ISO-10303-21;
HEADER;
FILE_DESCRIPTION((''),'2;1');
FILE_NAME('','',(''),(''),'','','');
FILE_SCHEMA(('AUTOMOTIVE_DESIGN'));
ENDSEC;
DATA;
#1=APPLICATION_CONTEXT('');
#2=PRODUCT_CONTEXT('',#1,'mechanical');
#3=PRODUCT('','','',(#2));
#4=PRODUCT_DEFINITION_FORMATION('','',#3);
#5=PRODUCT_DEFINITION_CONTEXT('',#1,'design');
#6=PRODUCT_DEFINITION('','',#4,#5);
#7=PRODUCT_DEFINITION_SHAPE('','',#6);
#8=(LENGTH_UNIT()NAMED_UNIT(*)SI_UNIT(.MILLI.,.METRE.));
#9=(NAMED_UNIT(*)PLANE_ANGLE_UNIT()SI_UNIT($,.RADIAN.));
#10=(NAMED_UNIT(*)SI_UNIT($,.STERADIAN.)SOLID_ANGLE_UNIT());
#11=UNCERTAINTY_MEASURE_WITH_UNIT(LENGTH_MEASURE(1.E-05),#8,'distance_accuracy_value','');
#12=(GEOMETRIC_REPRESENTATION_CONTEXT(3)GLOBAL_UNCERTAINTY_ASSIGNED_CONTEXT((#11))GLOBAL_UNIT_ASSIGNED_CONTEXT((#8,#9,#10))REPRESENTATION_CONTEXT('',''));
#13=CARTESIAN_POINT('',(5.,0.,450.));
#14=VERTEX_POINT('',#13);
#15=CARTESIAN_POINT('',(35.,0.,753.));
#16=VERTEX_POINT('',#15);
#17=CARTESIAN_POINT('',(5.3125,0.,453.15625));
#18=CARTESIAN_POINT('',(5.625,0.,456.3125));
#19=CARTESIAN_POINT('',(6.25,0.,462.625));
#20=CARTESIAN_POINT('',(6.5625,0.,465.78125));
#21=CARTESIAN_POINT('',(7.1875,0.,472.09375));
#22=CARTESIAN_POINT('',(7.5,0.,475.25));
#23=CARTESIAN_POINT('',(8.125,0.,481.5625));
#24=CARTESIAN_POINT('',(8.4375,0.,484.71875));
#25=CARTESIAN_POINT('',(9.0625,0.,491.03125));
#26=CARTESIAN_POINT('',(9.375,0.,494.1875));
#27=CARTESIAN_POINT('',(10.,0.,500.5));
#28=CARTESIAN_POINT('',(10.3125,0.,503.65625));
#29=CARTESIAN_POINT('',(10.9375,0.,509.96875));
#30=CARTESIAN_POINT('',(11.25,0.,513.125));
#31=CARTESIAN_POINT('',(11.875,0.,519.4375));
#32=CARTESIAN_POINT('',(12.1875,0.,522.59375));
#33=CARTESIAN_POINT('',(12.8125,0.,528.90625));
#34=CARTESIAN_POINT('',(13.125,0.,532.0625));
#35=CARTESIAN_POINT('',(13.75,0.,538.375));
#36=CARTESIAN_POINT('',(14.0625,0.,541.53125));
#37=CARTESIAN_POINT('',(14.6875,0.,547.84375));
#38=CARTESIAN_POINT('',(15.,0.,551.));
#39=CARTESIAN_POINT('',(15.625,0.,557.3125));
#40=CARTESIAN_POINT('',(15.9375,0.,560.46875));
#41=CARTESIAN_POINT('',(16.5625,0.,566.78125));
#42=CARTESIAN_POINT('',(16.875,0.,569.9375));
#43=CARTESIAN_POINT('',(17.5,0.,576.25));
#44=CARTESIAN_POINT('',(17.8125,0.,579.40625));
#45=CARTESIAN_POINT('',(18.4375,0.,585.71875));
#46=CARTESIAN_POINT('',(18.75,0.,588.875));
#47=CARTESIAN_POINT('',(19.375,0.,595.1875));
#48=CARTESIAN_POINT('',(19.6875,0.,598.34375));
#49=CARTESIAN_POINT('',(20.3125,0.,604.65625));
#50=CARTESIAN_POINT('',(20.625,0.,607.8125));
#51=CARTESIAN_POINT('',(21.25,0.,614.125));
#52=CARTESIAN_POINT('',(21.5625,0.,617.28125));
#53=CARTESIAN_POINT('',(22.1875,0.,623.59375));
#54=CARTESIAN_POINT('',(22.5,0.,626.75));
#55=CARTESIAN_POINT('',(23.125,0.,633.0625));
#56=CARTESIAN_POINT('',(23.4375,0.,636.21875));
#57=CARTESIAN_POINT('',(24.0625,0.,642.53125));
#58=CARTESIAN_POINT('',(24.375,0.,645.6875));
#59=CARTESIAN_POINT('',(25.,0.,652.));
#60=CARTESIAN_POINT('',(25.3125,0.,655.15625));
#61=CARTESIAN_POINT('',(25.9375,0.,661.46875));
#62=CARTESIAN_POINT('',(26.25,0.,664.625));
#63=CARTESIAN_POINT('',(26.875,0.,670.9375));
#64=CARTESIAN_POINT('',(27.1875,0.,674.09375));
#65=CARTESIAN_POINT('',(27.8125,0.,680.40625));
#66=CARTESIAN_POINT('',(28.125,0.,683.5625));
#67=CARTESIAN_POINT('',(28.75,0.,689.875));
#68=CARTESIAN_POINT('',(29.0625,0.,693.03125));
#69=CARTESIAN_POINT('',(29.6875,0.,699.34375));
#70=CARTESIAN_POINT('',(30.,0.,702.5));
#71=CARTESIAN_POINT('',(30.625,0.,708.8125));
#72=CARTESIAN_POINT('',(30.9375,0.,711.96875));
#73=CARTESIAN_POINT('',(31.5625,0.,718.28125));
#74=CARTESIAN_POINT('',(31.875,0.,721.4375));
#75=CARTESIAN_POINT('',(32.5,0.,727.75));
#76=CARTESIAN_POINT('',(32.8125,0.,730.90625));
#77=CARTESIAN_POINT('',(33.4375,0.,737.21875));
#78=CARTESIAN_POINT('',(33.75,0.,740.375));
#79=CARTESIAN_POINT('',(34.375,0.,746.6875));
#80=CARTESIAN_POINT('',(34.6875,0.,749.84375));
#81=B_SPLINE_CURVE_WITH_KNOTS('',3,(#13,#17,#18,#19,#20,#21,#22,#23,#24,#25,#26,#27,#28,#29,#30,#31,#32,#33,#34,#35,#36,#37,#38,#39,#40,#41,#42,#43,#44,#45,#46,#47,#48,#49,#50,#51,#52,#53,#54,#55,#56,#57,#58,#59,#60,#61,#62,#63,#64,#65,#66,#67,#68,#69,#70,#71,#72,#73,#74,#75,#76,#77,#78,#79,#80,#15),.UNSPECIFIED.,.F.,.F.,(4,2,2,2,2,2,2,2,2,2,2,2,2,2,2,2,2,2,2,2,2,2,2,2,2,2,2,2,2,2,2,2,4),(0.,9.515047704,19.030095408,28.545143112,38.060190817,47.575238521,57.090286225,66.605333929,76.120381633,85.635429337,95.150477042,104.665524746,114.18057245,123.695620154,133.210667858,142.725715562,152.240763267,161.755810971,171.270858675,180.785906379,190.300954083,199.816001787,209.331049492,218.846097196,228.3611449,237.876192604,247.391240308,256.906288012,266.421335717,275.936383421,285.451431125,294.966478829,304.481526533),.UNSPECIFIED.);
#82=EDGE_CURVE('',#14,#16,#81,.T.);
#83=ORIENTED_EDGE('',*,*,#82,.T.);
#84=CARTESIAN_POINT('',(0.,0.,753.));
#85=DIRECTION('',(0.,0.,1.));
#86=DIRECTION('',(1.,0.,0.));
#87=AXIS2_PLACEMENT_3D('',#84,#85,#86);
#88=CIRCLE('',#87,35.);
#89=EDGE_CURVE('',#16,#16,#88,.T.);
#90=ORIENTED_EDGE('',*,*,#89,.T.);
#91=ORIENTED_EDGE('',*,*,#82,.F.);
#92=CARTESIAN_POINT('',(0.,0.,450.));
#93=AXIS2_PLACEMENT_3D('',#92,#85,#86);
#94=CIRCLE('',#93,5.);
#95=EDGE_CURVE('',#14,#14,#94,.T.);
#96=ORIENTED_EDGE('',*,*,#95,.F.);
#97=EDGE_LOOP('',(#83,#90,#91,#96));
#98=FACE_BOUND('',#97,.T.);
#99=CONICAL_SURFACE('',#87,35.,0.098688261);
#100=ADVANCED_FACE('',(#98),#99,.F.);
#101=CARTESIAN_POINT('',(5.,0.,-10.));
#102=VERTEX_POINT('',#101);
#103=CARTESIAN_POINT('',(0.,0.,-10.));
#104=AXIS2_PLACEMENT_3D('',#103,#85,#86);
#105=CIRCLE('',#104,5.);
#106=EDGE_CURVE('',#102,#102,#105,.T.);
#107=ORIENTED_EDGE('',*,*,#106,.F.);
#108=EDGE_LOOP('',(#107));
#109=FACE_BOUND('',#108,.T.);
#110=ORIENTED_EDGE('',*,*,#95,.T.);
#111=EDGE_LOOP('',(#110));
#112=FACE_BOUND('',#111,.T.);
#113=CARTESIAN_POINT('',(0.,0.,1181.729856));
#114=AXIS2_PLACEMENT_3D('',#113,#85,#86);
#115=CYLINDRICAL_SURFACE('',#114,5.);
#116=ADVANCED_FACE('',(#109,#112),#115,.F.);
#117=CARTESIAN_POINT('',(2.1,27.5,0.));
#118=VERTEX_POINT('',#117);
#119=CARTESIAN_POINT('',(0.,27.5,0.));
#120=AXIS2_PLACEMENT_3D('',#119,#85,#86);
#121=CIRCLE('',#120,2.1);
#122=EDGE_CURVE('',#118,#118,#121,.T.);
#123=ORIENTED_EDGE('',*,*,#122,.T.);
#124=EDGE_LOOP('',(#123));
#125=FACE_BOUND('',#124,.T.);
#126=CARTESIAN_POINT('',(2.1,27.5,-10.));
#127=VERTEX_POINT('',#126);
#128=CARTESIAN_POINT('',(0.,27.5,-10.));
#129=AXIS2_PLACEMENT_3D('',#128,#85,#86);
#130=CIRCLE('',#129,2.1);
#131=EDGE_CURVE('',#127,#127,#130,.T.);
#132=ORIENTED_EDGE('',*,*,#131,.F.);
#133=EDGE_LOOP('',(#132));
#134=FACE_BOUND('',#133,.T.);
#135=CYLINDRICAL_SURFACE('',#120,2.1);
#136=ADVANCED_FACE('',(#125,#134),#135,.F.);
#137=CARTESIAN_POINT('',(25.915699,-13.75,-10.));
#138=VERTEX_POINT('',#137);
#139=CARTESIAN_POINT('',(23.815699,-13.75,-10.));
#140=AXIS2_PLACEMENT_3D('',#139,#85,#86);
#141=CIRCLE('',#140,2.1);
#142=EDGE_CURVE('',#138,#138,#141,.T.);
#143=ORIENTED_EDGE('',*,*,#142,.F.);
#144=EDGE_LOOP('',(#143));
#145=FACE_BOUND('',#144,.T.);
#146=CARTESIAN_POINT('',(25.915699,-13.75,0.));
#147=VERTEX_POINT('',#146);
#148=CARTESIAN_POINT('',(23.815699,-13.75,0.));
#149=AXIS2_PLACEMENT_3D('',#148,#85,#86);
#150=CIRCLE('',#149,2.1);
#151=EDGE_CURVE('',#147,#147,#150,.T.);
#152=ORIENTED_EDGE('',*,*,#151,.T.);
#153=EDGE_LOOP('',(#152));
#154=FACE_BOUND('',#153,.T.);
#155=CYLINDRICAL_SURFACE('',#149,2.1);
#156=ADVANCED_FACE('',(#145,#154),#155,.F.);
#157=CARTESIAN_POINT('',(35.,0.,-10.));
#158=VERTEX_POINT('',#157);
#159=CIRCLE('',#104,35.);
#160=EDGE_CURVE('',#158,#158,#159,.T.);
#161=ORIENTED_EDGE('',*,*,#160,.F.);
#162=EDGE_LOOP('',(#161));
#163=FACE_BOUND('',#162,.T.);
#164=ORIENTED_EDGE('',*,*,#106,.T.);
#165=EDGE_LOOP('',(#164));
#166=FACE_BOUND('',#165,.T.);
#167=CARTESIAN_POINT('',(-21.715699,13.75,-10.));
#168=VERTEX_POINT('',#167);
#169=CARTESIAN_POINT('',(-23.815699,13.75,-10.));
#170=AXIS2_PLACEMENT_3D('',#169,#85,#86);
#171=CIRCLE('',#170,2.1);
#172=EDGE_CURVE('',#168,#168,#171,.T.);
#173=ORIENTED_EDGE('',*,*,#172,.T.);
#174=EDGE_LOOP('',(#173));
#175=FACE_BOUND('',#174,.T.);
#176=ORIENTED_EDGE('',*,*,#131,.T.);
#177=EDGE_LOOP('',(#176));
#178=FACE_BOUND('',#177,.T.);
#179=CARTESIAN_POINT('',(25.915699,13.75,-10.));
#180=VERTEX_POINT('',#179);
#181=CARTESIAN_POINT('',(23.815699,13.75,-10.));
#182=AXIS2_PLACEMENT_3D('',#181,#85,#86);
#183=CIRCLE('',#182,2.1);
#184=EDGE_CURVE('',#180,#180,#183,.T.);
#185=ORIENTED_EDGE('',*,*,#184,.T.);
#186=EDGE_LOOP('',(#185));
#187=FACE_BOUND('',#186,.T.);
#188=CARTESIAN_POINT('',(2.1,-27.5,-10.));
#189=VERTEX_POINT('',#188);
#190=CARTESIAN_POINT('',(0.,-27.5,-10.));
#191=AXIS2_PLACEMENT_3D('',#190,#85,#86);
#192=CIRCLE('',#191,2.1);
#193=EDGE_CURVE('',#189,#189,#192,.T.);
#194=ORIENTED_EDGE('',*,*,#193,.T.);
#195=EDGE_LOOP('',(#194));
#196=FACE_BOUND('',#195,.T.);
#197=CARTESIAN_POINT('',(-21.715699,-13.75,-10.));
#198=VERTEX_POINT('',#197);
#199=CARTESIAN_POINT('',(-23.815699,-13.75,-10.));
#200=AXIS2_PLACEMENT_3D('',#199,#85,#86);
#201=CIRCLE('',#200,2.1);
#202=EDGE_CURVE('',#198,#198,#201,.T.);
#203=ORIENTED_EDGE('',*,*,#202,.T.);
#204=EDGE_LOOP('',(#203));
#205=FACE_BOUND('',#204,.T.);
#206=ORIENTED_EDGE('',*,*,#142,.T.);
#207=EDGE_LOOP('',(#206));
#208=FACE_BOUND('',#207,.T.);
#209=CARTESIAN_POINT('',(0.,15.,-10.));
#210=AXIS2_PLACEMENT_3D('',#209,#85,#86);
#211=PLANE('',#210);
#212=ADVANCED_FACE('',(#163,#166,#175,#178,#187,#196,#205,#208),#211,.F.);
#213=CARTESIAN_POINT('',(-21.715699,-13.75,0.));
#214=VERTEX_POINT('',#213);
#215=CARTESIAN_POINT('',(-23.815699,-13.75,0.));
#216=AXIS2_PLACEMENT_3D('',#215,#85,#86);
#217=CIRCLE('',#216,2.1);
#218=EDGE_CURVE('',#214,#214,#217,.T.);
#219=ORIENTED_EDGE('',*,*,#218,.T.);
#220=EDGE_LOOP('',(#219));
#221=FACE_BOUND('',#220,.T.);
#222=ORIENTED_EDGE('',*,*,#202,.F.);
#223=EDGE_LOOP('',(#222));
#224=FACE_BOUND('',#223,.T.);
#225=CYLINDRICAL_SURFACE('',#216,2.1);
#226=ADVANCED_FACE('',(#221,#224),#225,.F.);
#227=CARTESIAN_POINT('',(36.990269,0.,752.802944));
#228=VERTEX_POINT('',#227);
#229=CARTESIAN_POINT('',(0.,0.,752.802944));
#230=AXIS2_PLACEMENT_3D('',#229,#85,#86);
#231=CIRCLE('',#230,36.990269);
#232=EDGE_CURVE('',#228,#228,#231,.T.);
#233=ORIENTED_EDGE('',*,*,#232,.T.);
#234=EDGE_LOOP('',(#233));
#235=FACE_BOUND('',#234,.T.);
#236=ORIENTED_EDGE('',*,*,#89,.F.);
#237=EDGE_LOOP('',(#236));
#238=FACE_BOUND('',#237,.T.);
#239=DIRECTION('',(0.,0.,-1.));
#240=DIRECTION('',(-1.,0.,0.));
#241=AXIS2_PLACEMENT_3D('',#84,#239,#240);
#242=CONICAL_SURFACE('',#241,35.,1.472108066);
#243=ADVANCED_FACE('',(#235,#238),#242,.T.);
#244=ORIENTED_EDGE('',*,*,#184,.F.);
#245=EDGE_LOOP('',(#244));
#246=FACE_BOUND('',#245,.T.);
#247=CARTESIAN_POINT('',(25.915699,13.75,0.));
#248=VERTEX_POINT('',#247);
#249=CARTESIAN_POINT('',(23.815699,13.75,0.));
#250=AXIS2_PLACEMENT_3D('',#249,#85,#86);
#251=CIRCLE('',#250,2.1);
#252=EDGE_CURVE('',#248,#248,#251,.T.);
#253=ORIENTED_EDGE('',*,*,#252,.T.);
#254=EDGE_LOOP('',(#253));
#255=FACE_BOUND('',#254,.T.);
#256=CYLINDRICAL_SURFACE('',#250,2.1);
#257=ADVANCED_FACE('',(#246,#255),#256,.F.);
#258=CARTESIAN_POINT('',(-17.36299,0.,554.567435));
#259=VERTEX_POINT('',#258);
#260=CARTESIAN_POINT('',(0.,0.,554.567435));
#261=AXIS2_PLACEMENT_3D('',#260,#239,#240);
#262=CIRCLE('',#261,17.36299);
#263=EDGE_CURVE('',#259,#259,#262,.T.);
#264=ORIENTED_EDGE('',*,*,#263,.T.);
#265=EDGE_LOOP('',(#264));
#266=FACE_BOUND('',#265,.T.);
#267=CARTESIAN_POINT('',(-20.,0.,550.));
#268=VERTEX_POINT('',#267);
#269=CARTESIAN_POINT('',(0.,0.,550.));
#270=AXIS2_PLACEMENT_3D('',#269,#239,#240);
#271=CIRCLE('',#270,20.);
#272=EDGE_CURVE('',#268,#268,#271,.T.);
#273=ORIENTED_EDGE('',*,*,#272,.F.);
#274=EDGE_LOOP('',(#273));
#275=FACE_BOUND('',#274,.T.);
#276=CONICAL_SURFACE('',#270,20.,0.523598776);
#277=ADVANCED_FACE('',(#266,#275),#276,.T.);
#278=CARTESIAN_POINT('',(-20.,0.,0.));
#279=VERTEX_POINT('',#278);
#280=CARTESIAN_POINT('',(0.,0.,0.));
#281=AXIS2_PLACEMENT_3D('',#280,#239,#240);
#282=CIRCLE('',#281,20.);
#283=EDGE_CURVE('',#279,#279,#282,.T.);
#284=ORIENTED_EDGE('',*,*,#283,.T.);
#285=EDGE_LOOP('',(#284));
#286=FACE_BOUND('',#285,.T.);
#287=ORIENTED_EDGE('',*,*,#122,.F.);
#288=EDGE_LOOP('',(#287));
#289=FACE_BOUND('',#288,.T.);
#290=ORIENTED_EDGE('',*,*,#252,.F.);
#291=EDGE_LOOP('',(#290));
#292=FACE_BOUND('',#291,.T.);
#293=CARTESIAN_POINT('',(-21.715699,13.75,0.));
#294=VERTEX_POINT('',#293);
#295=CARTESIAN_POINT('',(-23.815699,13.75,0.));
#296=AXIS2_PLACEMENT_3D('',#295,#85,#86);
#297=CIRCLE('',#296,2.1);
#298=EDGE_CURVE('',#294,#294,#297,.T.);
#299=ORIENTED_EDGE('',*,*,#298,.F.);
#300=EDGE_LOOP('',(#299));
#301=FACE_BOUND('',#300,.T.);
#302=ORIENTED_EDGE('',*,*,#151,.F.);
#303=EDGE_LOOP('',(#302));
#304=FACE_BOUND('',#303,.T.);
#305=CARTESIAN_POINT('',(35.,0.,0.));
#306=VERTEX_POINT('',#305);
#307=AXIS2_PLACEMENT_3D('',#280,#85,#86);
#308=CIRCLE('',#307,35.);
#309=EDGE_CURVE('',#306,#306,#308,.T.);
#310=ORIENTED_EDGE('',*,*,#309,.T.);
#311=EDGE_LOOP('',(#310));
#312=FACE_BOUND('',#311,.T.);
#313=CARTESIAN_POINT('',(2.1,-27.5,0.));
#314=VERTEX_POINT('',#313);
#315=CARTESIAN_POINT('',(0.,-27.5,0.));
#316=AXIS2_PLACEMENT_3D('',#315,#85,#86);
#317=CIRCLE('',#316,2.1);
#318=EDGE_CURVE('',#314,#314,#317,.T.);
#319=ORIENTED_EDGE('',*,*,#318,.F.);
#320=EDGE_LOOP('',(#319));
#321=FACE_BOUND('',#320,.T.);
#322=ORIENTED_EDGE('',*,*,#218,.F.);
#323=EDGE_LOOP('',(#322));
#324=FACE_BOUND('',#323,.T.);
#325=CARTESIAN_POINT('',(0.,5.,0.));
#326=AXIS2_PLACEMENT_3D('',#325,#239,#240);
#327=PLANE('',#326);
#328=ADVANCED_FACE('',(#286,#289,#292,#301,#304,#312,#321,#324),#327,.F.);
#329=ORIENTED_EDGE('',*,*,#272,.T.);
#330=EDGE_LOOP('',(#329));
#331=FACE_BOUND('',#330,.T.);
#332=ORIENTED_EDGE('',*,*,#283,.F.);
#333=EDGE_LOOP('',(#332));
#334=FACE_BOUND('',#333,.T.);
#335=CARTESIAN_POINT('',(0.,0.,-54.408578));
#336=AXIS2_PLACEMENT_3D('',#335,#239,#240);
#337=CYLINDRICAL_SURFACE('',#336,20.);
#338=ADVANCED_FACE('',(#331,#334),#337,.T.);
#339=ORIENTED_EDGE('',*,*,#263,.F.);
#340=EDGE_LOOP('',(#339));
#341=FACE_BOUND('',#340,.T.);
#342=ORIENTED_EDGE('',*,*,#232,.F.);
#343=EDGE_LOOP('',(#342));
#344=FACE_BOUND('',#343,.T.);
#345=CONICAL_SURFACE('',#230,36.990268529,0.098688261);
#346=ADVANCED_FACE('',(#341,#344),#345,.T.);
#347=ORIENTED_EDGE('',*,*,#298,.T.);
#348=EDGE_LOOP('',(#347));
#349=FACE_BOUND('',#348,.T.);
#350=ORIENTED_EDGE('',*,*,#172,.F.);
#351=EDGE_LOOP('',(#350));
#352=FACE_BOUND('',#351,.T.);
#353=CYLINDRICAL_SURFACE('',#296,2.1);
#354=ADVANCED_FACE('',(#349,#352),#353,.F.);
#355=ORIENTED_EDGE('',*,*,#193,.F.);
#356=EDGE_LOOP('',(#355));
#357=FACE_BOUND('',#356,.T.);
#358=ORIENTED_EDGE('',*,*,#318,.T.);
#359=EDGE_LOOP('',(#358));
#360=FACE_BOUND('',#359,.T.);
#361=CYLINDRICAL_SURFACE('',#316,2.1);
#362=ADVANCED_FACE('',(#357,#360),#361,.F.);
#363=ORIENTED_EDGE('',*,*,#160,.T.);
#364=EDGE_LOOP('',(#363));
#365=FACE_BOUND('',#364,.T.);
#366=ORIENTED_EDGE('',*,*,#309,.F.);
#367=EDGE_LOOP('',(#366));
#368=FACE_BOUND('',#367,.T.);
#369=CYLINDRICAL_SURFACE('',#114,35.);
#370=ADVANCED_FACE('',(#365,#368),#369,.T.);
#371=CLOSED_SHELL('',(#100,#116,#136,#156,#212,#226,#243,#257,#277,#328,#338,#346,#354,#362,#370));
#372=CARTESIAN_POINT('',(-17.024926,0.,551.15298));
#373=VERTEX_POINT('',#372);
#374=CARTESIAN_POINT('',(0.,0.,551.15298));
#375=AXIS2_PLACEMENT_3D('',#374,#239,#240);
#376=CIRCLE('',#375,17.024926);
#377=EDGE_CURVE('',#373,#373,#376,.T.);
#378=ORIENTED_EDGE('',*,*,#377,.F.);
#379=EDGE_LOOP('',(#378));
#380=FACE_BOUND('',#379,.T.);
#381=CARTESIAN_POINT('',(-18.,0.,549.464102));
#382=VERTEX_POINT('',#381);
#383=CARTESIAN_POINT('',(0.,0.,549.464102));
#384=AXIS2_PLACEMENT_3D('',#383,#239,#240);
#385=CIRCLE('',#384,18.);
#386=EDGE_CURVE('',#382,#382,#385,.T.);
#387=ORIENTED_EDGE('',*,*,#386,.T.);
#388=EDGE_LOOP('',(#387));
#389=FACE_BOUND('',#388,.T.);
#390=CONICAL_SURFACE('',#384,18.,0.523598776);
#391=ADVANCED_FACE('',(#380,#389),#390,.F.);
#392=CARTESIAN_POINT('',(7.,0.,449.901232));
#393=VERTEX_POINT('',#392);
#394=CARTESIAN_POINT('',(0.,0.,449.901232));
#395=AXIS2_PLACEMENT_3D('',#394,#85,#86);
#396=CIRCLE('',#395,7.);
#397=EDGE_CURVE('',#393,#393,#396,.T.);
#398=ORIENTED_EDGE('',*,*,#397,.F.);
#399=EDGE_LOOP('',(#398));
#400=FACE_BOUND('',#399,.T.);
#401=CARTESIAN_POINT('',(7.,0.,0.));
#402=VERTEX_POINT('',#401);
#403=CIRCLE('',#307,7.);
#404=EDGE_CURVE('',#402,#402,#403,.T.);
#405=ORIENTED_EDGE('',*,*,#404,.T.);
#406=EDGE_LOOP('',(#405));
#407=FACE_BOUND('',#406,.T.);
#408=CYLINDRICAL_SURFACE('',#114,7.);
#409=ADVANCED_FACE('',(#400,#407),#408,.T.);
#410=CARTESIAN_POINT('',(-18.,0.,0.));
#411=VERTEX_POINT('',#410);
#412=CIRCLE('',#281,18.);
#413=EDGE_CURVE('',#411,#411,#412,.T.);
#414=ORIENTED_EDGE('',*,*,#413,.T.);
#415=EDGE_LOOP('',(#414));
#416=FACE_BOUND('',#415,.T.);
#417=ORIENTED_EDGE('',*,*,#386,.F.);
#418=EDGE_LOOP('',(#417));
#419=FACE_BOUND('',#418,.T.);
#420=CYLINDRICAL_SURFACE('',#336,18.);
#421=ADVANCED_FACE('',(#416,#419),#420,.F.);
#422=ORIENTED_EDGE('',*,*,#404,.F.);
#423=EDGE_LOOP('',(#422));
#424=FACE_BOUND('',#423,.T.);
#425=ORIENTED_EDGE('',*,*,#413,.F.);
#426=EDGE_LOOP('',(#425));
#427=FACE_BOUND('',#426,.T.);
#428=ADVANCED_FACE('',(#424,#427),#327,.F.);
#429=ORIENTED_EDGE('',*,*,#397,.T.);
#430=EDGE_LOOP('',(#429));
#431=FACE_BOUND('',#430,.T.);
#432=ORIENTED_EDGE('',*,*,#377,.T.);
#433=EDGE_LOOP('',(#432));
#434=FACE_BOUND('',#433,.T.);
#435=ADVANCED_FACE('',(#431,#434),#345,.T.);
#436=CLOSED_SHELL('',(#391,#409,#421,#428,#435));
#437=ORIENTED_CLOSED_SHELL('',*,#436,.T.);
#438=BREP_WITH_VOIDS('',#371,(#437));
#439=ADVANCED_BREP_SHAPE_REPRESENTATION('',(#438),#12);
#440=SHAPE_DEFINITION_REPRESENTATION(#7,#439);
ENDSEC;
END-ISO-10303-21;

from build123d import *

# Parameters (mm, degrees)
HOLE_WIZARD_M51_D     = 4.2
HOLE_WIZARD_M51_DEPTH = 10


with BuildPart() as part:
    # Эскиз2 → Повернуть-Тонкостенный3 (revolve)
    with BuildSketch(Plane(origin=(0, 0, 0), x_dir=(0, 0, -1), z_dir=(1, 0, 0)), mode=Mode.PRIVATE) as revolve_3_sk:
        Polygon((-753, 35), (-450, 5), (-399, 5), (0, 5), (0, 7), (-399, 7), (-449.901231564, 7), (-752.80294371, 36.990268529), align=None)
    revolve(revolve_3_sk.sketch.rotate(Axis((0, 0, 1181.729856139), (0, 0, -1)), 90), axis=Axis((0, 0, 1181.729856139), (0, 0, -1)))

    # Эскиз8 → Повернуть1 (revolve)
    with BuildSketch(Plane(origin=(0, 0, 0), x_dir=(0, 0, -1), z_dir=(1, 0, 0)), mode=Mode.PRIVATE) as revolve_1_sk:
        Polygon((0, 5), (0, 35), (10, 35), (10, 15), (10, 5), align=None)
    revolve(revolve_1_sk.sketch.rotate(Axis((0, 0, 1181.729856139), (0, 0, -1)), 90), axis=Axis((0, 0, 1181.729856139), (0, 0, -1)))

    # Эскиз10 → Повернуть-Тонкостенный6 (revolve)
    with BuildSketch(Plane(origin=(0, 0, 0), x_dir=(0, 0, -1), z_dir=(1, 0, 0)), mode=Mode.PRIVATE) as revolve_6_sk:
        Polygon((0, 20), (-550, 20), (-554.567434607, 17.3629904), (-553.567434607, 15.630939593), (-549.464101615, 18), (0, 18), align=None)
    revolve(revolve_6_sk.sketch.rotate(Axis((0, 0, -54.408578324), (0, 0, 1)), 90), axis=Axis((0, 0, -54.408578324), (0, 0, 1)))

    # Отверстие обработанное метчиком M51
    with Locations(Plane.XY):
        with Locations((-23.815698604, 13.75), (0, 27.5), (23.815698604, 13.75), (23.815698604, -13.75), (-23.815698604, -13.75), (0, -27.5)):
            Hole(HOLE_WIZARD_M51_D / 2, depth=HOLE_WIZARD_M51_DEPTH)


solid = part.part
